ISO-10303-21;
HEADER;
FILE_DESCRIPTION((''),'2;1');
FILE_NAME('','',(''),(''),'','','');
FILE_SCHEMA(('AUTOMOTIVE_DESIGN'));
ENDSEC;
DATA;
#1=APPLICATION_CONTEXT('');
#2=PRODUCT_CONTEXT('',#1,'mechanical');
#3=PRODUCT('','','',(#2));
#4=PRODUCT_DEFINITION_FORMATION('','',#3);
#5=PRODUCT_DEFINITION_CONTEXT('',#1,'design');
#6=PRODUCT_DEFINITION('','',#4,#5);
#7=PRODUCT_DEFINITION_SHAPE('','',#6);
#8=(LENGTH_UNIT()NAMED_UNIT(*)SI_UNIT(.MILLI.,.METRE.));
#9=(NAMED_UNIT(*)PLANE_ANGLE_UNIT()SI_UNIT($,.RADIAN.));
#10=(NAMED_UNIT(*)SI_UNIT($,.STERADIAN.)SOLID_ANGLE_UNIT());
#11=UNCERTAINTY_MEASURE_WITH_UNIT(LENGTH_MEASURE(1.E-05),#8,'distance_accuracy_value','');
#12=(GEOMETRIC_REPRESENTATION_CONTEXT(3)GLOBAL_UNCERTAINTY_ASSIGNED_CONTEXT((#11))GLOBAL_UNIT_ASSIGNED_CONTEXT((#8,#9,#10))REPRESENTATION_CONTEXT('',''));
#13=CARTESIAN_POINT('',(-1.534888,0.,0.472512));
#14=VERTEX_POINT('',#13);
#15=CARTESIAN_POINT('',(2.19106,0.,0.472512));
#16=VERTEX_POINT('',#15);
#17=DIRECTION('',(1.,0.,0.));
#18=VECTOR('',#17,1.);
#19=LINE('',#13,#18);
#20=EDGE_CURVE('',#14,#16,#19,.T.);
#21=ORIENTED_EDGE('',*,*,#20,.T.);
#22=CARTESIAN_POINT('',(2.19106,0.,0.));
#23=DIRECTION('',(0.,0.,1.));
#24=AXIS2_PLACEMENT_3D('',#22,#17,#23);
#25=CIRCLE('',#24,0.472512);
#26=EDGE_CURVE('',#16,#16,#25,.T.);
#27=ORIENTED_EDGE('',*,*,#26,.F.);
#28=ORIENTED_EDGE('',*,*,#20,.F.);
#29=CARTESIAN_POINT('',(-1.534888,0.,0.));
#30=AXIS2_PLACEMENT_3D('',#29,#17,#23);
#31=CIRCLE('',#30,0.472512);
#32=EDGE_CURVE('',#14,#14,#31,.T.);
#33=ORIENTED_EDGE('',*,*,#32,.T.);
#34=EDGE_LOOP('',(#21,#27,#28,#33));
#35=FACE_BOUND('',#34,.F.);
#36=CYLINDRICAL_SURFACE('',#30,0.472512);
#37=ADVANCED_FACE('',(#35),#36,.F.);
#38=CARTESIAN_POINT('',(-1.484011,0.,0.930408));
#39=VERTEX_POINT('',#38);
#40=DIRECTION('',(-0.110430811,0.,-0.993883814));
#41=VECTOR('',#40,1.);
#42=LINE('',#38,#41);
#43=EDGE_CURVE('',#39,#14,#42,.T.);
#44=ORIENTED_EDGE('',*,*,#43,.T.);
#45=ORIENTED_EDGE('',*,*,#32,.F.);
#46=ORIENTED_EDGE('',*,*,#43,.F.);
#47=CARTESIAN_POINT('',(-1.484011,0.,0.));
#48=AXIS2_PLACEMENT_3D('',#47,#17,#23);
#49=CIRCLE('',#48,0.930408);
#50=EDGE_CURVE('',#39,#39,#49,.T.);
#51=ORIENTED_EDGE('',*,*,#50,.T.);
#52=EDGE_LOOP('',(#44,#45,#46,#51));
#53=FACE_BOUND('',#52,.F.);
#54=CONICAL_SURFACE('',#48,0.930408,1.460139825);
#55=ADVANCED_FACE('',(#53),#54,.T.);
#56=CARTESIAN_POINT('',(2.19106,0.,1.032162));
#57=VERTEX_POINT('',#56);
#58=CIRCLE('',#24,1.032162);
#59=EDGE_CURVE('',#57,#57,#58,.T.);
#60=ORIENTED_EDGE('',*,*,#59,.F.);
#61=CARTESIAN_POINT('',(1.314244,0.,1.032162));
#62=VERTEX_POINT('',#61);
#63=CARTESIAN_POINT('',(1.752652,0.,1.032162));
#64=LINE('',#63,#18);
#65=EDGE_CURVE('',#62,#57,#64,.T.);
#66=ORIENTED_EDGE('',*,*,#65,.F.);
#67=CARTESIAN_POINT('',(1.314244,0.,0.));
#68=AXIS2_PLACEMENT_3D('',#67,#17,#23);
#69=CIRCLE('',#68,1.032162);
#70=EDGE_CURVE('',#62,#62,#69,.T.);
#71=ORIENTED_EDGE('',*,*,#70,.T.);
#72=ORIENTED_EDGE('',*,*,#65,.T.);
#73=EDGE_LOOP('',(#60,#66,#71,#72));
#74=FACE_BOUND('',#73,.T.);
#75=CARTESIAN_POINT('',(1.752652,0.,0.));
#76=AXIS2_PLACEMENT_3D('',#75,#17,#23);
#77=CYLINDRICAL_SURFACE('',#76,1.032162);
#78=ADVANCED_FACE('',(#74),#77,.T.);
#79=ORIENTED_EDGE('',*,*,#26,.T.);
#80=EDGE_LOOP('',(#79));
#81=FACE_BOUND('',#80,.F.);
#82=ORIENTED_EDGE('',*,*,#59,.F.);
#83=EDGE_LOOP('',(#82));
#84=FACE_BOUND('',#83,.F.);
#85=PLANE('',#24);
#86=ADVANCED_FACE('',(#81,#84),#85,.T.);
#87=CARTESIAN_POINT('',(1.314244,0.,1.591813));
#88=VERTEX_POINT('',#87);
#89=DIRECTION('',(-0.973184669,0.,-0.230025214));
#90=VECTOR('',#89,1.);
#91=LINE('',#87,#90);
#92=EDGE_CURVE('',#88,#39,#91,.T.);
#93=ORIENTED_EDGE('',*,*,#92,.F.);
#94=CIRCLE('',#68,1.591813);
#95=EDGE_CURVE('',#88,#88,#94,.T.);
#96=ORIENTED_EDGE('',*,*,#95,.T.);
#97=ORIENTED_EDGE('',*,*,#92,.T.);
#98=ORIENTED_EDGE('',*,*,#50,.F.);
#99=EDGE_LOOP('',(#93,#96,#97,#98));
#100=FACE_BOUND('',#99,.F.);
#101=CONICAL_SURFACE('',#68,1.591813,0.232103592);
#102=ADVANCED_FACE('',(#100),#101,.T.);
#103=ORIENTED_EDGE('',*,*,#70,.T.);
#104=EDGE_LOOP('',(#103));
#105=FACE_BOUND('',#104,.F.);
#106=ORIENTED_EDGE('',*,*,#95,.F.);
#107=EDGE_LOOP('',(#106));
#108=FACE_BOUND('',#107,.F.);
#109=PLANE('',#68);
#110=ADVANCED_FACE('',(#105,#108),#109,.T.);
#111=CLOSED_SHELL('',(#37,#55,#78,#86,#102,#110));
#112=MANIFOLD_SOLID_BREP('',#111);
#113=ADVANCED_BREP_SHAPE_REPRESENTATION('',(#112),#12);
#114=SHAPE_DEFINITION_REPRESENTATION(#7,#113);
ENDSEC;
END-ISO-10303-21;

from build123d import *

# Parameters (mm, degrees)
F0_W = 0.876817
F0_H = 0.55965


with BuildPart() as f1:
    # F0 (on Front) → F1 (revolve)
    with BuildSketch(Plane.XZ):
        Polygon((-1.484011, 0.930408), (-1.534888, 0.472512), (1.314244, 0.472512), (1.314244, 1.032162), (1.314244, 1.591813), align=None)
        with Locations((1.752652, 0.752337)):
            Rectangle(F0_W, F0_H)
    revolve(axis=Axis((-0.003102, 0, 0), (1, 0, 0)))


solid = f1.part
